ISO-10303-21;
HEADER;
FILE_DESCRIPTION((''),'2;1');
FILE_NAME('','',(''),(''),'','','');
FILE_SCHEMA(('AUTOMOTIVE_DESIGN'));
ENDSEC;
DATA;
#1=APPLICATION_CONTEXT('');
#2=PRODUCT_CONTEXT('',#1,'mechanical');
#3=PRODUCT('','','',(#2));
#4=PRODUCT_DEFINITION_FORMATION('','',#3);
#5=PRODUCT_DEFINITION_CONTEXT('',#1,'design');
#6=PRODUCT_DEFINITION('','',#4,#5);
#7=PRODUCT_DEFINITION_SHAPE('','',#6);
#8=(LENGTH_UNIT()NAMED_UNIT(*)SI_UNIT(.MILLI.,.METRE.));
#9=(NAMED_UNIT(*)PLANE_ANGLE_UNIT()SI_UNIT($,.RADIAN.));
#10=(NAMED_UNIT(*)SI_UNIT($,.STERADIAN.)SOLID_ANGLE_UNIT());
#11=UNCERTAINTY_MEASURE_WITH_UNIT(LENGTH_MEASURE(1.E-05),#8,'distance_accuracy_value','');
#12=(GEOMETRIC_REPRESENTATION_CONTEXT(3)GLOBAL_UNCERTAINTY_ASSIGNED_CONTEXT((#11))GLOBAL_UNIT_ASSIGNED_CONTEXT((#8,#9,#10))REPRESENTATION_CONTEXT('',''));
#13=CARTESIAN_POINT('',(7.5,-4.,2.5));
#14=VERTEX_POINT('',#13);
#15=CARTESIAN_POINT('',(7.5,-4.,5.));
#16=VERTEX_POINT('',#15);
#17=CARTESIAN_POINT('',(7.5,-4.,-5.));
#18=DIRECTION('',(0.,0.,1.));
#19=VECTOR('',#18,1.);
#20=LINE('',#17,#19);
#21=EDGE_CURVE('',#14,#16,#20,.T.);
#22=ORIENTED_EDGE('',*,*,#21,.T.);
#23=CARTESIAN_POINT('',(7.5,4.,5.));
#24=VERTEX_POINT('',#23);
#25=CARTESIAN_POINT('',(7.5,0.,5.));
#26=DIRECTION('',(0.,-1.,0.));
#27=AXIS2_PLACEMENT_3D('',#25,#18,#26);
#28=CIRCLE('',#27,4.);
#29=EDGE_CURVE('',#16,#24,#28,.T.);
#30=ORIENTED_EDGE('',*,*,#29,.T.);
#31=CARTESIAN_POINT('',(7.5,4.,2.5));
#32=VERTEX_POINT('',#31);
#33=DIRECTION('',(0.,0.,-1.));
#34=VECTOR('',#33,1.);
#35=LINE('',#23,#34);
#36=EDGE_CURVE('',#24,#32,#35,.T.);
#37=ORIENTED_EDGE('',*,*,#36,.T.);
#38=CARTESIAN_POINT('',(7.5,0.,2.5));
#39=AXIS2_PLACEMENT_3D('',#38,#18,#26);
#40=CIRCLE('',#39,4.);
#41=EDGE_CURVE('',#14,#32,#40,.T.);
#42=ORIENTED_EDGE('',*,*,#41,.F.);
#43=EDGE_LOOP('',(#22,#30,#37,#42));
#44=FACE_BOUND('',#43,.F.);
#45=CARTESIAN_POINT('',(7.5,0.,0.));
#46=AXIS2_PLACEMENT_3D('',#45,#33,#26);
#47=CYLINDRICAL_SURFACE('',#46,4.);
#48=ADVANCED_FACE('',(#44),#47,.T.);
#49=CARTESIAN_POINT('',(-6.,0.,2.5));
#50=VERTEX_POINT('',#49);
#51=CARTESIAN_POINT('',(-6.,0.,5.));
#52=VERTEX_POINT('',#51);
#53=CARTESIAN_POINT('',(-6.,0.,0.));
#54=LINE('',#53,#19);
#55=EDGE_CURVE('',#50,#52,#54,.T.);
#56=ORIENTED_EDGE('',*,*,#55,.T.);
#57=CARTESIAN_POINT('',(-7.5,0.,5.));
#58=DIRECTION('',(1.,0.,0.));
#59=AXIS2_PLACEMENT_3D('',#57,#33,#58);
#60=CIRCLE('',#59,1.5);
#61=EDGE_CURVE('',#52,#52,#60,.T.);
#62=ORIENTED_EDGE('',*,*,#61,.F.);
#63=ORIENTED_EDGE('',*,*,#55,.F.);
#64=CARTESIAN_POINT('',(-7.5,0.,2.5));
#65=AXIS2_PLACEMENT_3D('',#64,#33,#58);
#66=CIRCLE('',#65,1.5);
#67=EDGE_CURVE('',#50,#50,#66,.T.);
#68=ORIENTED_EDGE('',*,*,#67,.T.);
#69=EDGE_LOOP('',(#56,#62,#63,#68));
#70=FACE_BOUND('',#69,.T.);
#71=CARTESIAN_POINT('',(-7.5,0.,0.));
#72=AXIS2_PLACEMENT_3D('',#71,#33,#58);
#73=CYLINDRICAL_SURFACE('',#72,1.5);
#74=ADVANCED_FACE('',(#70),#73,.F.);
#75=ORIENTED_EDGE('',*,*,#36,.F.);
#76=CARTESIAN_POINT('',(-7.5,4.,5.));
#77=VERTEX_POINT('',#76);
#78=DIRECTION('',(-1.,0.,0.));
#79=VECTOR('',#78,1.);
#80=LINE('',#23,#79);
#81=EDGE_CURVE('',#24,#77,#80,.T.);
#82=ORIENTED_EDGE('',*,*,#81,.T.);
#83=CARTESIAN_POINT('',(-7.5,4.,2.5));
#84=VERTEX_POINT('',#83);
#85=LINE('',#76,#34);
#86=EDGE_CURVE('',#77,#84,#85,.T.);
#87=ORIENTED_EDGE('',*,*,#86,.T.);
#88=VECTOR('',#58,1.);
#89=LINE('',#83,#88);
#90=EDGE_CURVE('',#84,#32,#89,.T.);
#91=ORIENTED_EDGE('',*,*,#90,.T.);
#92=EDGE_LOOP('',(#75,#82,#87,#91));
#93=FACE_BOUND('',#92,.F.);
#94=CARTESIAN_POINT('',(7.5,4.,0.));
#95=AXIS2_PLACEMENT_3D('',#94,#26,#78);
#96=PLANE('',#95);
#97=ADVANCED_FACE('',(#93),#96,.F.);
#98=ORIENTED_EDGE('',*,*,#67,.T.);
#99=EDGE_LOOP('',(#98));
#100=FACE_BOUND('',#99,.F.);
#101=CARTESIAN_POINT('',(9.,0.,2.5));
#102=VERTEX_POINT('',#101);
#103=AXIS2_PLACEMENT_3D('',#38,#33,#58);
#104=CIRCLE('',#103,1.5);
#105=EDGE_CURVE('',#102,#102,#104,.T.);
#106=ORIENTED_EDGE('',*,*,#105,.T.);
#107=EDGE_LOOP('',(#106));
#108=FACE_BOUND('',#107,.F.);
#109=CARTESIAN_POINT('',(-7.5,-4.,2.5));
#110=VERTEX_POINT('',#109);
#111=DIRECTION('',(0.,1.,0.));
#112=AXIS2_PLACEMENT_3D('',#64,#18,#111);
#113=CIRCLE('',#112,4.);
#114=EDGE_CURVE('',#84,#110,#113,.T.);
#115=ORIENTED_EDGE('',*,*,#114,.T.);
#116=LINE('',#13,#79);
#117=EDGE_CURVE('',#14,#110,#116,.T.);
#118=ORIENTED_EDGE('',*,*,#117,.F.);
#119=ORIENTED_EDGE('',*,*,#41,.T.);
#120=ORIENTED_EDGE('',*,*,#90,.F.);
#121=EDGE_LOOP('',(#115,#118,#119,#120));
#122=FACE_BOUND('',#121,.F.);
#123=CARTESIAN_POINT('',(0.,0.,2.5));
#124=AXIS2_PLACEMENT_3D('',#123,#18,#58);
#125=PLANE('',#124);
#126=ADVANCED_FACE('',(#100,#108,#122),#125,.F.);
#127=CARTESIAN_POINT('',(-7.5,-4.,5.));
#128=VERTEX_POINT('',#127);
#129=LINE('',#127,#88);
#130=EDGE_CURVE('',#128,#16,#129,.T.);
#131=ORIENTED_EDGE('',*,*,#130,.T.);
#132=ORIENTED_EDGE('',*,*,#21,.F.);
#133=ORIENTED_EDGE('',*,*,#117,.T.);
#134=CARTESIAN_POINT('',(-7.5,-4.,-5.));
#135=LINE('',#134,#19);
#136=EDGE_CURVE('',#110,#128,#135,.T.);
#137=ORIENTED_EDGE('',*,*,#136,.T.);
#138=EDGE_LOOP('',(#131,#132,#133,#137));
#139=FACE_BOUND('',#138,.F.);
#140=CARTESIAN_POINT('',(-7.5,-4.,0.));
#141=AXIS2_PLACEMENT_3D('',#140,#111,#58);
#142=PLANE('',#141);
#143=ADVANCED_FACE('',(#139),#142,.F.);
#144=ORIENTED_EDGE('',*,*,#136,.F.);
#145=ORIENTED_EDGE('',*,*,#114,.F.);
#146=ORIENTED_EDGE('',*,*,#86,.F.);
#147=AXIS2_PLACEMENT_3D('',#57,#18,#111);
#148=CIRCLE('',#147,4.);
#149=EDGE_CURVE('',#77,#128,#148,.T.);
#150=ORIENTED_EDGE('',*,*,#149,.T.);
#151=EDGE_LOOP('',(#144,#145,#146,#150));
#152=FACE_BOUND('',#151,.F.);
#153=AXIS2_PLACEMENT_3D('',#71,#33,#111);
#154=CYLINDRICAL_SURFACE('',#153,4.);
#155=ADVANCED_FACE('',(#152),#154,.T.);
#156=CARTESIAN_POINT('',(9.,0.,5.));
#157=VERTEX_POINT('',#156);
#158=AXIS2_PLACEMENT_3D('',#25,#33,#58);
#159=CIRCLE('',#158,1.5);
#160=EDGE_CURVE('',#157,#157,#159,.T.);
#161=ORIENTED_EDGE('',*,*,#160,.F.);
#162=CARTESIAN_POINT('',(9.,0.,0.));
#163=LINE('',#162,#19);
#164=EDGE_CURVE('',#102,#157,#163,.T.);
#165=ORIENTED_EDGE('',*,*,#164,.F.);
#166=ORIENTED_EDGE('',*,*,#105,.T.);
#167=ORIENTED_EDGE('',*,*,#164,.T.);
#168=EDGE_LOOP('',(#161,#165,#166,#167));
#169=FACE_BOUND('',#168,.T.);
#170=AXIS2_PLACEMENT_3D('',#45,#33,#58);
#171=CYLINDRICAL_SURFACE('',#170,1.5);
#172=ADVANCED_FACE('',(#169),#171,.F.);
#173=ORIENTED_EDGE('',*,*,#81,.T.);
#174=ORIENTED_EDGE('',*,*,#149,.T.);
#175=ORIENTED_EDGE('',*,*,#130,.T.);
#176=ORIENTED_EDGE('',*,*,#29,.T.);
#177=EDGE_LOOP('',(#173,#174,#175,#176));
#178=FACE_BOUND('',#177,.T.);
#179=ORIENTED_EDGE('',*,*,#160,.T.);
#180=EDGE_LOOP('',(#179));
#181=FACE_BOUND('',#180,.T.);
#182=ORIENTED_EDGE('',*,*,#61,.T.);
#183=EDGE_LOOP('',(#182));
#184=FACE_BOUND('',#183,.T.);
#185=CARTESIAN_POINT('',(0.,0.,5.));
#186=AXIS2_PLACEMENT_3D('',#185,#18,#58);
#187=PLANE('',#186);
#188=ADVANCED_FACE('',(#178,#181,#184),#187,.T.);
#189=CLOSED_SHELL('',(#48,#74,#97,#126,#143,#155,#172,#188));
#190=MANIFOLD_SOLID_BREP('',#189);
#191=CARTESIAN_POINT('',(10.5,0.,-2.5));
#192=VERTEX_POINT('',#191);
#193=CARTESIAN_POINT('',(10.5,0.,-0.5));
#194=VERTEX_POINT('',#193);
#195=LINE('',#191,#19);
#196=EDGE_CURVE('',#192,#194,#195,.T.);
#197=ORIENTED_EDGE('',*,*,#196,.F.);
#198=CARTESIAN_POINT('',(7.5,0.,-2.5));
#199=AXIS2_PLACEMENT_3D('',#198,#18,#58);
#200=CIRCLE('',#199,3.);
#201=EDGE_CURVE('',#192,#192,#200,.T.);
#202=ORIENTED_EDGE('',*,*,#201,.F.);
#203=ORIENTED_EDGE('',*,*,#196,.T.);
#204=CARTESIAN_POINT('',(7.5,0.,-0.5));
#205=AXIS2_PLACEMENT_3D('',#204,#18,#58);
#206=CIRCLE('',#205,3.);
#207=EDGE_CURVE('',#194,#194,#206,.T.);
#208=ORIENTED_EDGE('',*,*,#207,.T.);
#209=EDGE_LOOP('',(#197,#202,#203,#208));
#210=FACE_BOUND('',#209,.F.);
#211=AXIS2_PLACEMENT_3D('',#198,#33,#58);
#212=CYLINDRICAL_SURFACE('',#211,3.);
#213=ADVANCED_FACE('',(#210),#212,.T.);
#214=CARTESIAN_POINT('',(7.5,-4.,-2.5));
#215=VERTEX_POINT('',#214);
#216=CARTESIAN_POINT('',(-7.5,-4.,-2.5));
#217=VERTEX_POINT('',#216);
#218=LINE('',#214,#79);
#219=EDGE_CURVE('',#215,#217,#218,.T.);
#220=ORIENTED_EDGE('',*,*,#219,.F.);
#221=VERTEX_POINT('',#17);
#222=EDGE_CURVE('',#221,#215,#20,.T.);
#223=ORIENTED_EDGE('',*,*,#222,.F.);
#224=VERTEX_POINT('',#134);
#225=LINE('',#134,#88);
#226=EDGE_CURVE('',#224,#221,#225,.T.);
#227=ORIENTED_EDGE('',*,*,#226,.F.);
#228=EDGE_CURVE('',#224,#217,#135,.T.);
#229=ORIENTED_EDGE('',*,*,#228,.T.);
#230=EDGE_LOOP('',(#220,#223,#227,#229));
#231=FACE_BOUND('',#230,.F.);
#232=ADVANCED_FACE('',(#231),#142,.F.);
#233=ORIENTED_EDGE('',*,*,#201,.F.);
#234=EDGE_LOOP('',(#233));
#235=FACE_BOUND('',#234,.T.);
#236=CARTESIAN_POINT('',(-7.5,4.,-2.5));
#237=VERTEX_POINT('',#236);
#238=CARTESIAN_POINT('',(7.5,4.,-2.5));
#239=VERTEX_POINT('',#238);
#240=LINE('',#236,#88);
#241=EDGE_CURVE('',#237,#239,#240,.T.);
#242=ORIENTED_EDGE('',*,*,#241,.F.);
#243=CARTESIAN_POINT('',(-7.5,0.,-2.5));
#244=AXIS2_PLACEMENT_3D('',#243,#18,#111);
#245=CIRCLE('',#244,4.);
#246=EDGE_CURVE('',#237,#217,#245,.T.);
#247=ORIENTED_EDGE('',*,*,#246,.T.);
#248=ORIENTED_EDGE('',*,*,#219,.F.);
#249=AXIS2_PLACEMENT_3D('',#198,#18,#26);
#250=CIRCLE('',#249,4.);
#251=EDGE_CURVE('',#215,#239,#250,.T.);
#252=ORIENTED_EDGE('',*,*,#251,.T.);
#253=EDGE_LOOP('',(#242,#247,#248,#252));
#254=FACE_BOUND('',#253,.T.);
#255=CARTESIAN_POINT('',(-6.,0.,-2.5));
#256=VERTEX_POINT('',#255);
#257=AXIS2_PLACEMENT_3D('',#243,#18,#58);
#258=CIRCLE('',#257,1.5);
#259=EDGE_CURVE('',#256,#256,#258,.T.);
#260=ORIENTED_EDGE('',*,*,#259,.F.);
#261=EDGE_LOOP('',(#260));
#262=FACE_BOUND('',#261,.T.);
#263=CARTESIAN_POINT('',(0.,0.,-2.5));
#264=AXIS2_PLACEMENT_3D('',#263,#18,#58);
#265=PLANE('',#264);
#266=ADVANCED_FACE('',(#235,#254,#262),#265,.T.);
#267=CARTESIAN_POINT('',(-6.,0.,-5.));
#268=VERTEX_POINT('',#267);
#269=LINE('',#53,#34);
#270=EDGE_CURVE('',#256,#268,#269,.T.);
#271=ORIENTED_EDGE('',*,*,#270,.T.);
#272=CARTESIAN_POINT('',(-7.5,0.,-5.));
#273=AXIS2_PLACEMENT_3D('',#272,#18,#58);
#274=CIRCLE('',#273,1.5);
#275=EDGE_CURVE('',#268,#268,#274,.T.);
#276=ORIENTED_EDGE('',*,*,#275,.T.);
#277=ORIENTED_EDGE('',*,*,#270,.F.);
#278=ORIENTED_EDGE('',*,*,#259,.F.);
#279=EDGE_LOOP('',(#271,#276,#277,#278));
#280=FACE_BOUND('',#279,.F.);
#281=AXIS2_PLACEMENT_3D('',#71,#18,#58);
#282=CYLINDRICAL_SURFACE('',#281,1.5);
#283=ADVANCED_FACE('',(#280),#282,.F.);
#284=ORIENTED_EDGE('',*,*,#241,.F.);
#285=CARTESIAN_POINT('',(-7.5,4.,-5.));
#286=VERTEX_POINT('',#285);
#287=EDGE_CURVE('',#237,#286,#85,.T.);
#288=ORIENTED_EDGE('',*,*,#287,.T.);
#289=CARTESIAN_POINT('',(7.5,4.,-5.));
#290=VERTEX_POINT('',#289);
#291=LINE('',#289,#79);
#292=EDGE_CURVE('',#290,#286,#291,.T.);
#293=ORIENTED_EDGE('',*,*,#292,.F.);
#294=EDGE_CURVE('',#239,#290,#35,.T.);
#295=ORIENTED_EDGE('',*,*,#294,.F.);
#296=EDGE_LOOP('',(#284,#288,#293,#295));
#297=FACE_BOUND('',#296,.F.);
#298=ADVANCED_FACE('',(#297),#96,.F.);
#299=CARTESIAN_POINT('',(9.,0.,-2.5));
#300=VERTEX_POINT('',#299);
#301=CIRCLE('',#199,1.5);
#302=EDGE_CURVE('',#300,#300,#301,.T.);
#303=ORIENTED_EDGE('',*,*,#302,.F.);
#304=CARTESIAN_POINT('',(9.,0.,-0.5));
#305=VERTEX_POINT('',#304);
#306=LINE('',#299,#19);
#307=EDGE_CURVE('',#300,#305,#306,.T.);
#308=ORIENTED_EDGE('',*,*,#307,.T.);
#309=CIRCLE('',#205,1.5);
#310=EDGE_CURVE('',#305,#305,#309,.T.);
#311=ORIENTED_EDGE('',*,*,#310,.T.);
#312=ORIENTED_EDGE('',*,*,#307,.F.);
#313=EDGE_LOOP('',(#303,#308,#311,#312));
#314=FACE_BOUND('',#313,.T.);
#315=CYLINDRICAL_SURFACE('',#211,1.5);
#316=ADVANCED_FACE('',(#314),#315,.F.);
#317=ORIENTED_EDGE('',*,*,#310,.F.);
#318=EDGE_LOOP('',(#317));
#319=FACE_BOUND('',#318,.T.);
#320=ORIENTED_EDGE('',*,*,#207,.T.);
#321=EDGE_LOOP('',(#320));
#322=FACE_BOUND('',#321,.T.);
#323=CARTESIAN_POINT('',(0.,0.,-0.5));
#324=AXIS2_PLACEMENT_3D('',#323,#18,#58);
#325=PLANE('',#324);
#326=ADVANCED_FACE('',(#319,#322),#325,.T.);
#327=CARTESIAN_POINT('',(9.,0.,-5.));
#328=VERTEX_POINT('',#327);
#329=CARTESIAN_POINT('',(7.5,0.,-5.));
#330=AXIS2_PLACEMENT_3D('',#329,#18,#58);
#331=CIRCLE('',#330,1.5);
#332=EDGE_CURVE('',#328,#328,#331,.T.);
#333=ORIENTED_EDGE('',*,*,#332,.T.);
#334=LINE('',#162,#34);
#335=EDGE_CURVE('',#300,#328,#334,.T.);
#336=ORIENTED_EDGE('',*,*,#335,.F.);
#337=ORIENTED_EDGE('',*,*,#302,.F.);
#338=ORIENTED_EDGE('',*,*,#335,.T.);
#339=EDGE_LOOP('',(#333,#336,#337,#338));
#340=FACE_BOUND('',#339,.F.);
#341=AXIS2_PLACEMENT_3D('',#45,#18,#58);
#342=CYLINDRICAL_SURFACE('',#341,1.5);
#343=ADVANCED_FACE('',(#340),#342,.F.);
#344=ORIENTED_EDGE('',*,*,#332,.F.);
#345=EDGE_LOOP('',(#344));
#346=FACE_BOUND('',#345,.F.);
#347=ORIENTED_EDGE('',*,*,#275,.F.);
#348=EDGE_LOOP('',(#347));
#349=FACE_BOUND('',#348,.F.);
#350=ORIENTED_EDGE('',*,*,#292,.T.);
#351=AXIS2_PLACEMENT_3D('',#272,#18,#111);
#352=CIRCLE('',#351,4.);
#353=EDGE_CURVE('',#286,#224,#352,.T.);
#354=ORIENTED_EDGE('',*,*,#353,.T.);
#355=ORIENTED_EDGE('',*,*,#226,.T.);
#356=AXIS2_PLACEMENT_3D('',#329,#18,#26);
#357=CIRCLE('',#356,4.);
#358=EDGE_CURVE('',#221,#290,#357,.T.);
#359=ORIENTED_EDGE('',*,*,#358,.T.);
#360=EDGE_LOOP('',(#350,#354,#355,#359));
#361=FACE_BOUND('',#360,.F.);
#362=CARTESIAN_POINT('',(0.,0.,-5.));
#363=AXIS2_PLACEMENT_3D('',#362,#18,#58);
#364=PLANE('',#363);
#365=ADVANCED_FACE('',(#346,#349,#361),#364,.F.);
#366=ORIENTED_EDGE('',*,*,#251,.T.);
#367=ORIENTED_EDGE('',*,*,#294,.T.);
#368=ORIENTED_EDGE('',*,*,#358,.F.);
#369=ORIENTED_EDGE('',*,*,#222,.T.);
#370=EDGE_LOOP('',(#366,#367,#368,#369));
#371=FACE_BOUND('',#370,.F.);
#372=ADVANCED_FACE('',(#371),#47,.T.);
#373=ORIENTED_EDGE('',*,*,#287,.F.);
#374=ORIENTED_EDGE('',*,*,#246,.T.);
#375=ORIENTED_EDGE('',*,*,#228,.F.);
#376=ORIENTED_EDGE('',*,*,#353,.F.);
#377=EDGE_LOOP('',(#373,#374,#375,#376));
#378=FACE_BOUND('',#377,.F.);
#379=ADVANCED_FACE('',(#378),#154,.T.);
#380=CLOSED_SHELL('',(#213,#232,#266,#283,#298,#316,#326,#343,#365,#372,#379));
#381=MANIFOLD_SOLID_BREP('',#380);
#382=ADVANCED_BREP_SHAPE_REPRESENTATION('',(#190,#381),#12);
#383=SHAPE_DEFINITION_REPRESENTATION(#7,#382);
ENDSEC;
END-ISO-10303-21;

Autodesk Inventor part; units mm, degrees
ref_plane "YZ Plane" through (0, 0, 0) normal (1, 0, 0) x (0, 1, 0)
ref_plane "XZ Plane" through (0, 0, 0) normal (0, 1, 0) x (-1, 0, 0)
ref_plane "XY Plane" through (0, 0, 0) normal (0, 0, 1) x (1, 0, 0)
sketch "スケッチ1" plane through (0, 0, 0) normal (0, 0, 1) x (1, 0, 0)
  line L0 (-7.5, 0) -> (7.5, 0) construction
  line L1 (-7.5, -4) -> (7.5, -4)
  line L2 (7.5, 4) -> (-7.5, 4)
  arc A0 (-7.5, 4) -> (-7.5, -4) centre (-7.5, 0) ccw
  arc A1 (7.5, -4) -> (7.5, 4) centre (7.5, 0) ccw
  point P0 (0, 0)
  point P1 (0, 0)
  dimension "d0" = 4
  dimension "d1" = 15
extrude "押し出し1" add sketch "スケッチ1" along normal mid plane 10
sketch "スケッチ2" plane through (0, 0, 0) normal (0, 0, 1) x (1, 0, 0)
  line L0 (7.5, -4) -> (-7.5, -4) projected
  arc A0 (-7.5, 4) -> (-7.5, -4) centre (-7.5, 0) ccw projected
  line L1 (-7.5, 4) -> (7.5, 4) projected
  arc A1 (7.5, -4) -> (7.5, 4) centre (7.5, 0) ccw projected
  point P0 (0, 0)
extrude "押し出し2" cut sketch "スケッチ2" along normal mid plane 5
sketch "スケッチ3" plane through (0, 0, 0) normal (0, 0, 1) x (1, 0, 0)
  circle A0 centre (-7.5, 0) radius 1.5
  circle A1 centre (7.5, 0) radius 1.5
  arc A2 (-7.5, 4) -> (-7.5, -4) centre (-7.5, 0) ccw projected
  arc A3 (7.5, -4) -> (7.5, 4) centre (7.5, 0) ccw projected
  point P0 (0, 0)
  dimension "d6" = 3
  dimension "d7" = 3
extrude "押し出し3" cut sketch "スケッチ3" along normal through all both and the other way through all
sketch "スケッチ4" plane through (0, 0, -2.5) normal (0, 0, 1) x (1, 0, 0)
  circle A0 centre (7.5, 0) radius 1.5 projected
  circle A1 centre (7.5, 0) radius 3
  point P0 (0, 0)
  dimension "d10" = 1.5
extrude "押し出し4" add sketch "スケッチ4" along normal blind 2
properties part number "joint"
